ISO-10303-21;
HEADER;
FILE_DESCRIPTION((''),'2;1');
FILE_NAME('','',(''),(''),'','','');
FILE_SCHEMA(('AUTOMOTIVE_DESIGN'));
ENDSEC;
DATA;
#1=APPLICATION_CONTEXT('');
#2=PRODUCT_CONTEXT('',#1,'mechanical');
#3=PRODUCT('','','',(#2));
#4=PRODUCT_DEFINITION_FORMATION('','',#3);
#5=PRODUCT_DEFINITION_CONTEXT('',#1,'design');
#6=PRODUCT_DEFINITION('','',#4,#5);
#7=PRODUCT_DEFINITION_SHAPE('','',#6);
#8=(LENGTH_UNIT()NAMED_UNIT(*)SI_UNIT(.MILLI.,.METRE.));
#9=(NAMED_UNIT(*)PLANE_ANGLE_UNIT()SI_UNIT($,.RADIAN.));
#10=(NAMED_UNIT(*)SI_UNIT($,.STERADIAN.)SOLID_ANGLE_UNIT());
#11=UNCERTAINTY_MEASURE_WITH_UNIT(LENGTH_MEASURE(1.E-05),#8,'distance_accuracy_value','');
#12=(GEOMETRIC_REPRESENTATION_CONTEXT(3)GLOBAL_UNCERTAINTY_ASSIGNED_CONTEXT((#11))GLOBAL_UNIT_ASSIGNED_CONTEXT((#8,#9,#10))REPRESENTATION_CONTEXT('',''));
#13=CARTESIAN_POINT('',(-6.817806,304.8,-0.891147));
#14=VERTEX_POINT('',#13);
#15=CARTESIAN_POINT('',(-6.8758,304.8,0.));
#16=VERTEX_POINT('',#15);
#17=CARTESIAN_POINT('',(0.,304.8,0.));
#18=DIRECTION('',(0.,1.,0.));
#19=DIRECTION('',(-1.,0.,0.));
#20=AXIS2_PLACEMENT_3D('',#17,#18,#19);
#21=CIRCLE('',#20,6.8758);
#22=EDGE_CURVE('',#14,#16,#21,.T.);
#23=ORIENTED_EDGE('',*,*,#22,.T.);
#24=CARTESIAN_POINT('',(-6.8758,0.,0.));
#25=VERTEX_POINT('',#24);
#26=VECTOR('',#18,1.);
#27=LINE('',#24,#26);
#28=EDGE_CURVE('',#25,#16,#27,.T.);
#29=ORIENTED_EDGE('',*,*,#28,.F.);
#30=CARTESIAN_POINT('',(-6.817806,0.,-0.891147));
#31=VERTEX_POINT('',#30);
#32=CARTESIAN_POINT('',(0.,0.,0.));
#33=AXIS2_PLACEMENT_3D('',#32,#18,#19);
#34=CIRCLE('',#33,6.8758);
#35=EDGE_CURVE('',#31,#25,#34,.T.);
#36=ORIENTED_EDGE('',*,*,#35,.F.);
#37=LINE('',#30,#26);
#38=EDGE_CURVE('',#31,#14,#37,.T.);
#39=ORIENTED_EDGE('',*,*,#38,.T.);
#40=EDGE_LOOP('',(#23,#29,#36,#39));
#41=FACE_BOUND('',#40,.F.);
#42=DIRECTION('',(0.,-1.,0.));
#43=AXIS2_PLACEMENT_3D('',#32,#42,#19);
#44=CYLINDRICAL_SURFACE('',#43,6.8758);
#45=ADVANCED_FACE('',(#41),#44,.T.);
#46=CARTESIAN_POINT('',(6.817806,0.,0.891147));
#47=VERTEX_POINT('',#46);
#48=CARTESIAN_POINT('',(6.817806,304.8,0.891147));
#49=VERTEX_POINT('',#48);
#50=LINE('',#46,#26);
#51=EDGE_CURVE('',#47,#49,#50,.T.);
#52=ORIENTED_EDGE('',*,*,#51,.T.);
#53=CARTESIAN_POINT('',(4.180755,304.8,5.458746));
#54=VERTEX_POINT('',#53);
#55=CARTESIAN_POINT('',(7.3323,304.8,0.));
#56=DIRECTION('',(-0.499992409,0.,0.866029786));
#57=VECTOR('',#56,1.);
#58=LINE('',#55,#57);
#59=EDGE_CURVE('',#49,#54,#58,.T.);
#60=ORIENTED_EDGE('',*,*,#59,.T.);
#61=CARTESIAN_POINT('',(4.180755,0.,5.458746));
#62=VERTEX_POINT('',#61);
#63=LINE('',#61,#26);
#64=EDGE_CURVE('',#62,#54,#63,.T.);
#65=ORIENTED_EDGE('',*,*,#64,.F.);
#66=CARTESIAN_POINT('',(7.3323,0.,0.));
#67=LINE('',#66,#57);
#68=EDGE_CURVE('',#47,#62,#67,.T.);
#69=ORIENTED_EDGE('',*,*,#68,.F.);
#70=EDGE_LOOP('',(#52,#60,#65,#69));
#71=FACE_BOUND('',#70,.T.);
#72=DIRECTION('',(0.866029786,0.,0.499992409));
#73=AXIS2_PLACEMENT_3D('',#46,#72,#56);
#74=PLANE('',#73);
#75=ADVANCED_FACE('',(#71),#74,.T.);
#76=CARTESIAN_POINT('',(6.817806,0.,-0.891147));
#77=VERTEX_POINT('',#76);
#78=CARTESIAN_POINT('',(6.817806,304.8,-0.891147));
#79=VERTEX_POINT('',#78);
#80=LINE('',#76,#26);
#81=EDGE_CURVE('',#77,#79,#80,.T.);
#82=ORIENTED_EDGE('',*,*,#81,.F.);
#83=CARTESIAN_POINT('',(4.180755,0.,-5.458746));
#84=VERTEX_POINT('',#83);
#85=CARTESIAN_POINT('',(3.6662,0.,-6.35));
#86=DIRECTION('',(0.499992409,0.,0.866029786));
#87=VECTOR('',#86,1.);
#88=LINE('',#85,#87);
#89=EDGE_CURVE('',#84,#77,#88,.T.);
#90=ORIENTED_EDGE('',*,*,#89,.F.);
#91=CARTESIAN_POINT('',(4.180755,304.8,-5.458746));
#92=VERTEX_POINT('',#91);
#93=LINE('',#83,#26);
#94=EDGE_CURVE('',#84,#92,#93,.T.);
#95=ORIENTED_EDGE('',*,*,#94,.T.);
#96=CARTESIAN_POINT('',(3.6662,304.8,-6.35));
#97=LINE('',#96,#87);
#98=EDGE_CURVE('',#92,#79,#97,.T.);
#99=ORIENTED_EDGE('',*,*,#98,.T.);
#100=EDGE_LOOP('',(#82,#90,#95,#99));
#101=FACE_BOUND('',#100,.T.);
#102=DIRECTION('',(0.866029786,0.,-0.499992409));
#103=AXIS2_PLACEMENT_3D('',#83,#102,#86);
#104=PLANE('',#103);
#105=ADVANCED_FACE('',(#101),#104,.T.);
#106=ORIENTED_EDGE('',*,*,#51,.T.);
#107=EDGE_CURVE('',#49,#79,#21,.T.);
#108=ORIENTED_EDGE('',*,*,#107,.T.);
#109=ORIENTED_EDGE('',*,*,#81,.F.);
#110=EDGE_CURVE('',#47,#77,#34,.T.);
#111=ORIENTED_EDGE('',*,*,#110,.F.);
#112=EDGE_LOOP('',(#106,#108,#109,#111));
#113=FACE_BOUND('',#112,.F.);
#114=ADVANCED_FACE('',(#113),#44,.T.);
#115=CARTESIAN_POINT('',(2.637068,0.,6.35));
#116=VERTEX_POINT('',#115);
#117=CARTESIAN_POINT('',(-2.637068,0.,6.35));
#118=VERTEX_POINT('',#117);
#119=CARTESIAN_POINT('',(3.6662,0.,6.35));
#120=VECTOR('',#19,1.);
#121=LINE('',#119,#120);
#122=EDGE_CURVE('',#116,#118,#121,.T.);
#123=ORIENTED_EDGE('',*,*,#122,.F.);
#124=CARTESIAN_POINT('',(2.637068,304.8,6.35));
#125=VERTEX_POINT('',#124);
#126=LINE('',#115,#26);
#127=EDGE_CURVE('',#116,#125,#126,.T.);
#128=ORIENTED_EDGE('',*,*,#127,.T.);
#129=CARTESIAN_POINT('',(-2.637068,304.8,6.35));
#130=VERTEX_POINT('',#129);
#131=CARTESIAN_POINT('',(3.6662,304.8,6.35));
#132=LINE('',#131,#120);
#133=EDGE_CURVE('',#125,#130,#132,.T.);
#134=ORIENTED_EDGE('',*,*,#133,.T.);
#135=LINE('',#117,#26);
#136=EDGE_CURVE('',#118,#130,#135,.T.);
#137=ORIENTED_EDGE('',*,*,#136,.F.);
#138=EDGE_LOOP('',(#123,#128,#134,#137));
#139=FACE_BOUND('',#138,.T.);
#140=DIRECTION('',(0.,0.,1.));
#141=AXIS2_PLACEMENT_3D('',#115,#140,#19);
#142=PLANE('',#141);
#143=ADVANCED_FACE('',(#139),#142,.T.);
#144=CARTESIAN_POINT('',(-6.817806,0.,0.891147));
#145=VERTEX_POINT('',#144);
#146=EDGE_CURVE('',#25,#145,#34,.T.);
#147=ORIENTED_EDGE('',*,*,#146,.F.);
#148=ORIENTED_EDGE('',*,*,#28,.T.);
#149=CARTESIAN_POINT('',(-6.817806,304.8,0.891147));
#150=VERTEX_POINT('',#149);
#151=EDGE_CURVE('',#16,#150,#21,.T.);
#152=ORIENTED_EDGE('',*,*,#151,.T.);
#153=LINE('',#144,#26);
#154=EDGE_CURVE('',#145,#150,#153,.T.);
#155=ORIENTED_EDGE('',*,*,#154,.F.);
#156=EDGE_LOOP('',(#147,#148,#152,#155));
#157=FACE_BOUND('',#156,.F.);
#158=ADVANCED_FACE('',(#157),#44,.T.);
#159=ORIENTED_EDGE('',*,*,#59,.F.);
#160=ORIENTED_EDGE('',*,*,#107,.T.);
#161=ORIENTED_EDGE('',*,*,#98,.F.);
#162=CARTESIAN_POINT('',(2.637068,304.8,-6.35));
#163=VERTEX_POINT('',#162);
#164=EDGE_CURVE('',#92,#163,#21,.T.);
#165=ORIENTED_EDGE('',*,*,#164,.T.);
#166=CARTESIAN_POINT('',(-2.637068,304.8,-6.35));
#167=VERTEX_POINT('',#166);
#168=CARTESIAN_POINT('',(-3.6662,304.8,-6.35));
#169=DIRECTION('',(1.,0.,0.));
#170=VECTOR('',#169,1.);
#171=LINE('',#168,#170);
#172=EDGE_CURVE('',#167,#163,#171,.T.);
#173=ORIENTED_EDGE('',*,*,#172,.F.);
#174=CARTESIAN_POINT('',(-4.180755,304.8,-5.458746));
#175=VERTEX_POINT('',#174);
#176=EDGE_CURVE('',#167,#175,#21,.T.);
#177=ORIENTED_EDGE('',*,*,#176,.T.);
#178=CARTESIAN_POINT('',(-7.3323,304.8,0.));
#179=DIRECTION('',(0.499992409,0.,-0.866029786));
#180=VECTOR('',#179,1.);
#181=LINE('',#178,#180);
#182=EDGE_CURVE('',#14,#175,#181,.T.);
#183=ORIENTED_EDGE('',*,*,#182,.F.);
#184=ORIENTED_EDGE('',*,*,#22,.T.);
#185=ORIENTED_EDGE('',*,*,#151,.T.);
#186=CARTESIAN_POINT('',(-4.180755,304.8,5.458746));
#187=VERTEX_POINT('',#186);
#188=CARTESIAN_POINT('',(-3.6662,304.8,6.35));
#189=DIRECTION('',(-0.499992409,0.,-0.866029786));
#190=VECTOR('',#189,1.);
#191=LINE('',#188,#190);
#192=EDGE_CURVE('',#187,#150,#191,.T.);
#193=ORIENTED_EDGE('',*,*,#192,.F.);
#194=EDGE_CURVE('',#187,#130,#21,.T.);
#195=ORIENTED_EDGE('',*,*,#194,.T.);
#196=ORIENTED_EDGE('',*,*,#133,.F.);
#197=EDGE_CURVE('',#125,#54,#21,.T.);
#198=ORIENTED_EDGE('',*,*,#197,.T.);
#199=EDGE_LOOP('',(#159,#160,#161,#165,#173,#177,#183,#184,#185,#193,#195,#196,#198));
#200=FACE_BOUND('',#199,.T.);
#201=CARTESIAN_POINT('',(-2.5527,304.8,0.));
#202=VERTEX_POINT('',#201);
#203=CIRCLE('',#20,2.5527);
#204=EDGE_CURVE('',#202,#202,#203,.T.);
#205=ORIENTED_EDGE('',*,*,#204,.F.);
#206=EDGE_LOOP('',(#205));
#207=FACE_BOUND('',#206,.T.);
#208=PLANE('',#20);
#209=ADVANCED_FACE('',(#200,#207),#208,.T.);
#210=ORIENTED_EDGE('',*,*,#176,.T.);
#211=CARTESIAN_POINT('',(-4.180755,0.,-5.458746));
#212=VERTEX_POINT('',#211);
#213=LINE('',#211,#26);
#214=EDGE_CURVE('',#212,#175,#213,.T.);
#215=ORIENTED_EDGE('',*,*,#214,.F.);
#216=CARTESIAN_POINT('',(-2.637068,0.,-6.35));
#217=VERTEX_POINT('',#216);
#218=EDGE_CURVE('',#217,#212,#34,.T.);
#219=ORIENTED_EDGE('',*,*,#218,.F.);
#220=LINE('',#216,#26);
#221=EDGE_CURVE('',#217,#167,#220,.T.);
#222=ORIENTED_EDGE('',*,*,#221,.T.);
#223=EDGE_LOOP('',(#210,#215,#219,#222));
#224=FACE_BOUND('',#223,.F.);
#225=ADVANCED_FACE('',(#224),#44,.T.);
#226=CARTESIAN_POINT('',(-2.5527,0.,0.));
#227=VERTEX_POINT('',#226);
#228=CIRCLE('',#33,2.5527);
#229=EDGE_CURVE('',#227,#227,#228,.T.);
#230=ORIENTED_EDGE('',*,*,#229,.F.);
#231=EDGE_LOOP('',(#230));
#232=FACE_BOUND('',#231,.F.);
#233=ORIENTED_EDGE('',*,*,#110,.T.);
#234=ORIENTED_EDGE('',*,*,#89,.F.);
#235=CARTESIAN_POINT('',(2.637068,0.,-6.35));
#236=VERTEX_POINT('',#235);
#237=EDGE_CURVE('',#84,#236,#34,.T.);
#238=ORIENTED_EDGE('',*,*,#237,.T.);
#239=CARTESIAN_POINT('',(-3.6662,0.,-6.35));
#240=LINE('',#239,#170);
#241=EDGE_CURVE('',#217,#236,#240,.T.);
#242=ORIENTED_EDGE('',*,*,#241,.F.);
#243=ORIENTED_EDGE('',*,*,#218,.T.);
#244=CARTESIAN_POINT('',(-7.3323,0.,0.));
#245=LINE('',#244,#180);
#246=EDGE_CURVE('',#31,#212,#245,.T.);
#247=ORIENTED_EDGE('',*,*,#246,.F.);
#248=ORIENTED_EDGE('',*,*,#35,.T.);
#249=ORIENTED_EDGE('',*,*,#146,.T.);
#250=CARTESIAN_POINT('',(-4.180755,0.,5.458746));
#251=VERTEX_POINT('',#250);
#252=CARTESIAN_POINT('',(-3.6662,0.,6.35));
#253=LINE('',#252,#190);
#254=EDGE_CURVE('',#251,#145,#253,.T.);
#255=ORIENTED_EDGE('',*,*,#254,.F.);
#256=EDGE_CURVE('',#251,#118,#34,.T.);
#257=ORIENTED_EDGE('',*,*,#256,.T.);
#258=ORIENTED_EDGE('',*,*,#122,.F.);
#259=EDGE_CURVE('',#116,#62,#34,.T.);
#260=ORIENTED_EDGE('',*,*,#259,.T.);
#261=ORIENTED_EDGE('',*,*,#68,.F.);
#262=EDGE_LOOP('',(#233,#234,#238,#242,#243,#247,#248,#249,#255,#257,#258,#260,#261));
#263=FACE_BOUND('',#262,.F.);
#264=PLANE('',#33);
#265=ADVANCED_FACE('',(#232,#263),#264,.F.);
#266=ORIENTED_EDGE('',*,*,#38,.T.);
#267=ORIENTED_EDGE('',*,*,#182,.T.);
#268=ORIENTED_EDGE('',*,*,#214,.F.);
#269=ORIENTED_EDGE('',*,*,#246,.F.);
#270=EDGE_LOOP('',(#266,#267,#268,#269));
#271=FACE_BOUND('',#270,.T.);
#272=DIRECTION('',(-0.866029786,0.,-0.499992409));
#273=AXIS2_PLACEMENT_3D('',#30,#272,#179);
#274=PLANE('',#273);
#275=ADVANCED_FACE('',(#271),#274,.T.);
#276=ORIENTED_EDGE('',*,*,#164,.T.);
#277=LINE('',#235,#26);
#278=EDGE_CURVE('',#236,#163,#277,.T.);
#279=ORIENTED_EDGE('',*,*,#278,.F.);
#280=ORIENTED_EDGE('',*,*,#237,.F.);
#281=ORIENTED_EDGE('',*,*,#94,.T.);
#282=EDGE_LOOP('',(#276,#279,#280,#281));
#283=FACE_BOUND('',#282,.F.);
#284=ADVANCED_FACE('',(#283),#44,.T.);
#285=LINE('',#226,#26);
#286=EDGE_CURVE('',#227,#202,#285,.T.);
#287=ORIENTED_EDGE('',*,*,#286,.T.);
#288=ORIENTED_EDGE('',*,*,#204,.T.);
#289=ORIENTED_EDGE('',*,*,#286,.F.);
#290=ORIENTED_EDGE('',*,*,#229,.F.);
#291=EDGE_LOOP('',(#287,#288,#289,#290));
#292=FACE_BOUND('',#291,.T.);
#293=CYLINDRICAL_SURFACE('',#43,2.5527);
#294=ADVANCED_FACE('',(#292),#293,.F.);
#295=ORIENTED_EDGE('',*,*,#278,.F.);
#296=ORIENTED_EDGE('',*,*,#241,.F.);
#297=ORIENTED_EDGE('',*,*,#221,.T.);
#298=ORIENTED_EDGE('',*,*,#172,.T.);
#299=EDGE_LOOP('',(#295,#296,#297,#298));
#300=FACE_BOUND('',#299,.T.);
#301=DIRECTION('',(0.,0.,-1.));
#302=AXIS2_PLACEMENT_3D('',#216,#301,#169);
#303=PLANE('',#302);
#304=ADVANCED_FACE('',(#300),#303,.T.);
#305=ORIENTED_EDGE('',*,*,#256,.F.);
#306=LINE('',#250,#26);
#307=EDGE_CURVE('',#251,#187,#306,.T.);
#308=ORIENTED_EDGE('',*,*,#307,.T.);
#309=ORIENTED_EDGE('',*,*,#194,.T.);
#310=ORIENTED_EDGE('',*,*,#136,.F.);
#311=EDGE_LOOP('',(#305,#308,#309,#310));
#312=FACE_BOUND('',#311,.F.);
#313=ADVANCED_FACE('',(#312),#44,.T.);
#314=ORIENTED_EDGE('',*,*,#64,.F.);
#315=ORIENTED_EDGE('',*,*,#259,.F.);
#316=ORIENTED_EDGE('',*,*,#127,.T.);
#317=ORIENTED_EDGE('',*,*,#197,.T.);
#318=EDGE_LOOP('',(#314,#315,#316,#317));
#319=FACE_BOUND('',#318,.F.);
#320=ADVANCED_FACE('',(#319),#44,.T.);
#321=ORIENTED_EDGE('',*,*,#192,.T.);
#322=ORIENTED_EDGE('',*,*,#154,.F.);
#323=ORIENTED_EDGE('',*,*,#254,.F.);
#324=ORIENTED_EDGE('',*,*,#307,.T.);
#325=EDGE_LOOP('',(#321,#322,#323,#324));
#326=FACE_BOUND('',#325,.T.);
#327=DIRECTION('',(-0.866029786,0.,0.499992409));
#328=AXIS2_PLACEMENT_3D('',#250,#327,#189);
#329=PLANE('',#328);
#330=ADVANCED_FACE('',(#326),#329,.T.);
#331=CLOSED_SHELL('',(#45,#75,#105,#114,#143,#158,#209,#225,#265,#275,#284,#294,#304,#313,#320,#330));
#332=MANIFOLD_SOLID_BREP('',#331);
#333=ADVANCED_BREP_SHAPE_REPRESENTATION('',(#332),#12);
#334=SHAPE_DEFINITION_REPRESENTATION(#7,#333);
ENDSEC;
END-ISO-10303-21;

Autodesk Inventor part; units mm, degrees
ref_plane "YZ Plane" through (0, 0, 0) normal (1, 0, 0) x (0, 1, 0)
ref_plane "XZ Plane" through (0, 0, 0) normal (0, 1, 0) x (-1, 0, 0)
ref_plane "XY Plane" through (0, 0, 0) normal (0, 0, 1) x (1, 0, 0)
sketch "Sketch1" plane through (0, 0, 0) normal (0, 1, 0) x (-1, 0, 0)
  line L0 (7.3323, 0) -> (3.6662, -6.35)
  line L1 (3.6662, -6.35) -> (-3.6662, -6.35)
  line L2 (-3.6662, -6.35) -> (-7.3323, 0)
  line L3 (-7.3323, 0) -> (-3.6662, 6.35)
  line L4 (-3.6662, 6.35) -> (3.6662, 6.35)
  line L5 (3.6662, 6.35) -> (7.3323, 0)
  circle A0 centre (0, 0) radius 2.5527
  circle A1 centre (0, 0) radius 6.8758
  point P0 (2.637, -6.35)
  point P1 (4.1808, -5.4587)
  point P2 (6.8178, -0.8913)
  point P3 (6.8178, 0.8913)
  point P4 (4.1808, 5.4587)
  point P5 (2.637, 6.35)
  point P6 (-2.637, 6.35)
  point P7 (-4.1808, 5.4587)
  point P8 (-6.8178, 0.8913)
  point P9 (-6.8178, -0.8913)
  point P10 (-4.1808, -5.4587)
  point P11 (-2.637, -6.35)
  dimension "d0" = 6.35
  dimension "d1" = 5.1054
  dimension "d2" = 13.7516
extrude "Extrusion1" add sketch "Sketch1" along normal blind 304.8 contours L0 A1 L1 L2 L3 L4 L5
properties part number "thunder hex 12in"
